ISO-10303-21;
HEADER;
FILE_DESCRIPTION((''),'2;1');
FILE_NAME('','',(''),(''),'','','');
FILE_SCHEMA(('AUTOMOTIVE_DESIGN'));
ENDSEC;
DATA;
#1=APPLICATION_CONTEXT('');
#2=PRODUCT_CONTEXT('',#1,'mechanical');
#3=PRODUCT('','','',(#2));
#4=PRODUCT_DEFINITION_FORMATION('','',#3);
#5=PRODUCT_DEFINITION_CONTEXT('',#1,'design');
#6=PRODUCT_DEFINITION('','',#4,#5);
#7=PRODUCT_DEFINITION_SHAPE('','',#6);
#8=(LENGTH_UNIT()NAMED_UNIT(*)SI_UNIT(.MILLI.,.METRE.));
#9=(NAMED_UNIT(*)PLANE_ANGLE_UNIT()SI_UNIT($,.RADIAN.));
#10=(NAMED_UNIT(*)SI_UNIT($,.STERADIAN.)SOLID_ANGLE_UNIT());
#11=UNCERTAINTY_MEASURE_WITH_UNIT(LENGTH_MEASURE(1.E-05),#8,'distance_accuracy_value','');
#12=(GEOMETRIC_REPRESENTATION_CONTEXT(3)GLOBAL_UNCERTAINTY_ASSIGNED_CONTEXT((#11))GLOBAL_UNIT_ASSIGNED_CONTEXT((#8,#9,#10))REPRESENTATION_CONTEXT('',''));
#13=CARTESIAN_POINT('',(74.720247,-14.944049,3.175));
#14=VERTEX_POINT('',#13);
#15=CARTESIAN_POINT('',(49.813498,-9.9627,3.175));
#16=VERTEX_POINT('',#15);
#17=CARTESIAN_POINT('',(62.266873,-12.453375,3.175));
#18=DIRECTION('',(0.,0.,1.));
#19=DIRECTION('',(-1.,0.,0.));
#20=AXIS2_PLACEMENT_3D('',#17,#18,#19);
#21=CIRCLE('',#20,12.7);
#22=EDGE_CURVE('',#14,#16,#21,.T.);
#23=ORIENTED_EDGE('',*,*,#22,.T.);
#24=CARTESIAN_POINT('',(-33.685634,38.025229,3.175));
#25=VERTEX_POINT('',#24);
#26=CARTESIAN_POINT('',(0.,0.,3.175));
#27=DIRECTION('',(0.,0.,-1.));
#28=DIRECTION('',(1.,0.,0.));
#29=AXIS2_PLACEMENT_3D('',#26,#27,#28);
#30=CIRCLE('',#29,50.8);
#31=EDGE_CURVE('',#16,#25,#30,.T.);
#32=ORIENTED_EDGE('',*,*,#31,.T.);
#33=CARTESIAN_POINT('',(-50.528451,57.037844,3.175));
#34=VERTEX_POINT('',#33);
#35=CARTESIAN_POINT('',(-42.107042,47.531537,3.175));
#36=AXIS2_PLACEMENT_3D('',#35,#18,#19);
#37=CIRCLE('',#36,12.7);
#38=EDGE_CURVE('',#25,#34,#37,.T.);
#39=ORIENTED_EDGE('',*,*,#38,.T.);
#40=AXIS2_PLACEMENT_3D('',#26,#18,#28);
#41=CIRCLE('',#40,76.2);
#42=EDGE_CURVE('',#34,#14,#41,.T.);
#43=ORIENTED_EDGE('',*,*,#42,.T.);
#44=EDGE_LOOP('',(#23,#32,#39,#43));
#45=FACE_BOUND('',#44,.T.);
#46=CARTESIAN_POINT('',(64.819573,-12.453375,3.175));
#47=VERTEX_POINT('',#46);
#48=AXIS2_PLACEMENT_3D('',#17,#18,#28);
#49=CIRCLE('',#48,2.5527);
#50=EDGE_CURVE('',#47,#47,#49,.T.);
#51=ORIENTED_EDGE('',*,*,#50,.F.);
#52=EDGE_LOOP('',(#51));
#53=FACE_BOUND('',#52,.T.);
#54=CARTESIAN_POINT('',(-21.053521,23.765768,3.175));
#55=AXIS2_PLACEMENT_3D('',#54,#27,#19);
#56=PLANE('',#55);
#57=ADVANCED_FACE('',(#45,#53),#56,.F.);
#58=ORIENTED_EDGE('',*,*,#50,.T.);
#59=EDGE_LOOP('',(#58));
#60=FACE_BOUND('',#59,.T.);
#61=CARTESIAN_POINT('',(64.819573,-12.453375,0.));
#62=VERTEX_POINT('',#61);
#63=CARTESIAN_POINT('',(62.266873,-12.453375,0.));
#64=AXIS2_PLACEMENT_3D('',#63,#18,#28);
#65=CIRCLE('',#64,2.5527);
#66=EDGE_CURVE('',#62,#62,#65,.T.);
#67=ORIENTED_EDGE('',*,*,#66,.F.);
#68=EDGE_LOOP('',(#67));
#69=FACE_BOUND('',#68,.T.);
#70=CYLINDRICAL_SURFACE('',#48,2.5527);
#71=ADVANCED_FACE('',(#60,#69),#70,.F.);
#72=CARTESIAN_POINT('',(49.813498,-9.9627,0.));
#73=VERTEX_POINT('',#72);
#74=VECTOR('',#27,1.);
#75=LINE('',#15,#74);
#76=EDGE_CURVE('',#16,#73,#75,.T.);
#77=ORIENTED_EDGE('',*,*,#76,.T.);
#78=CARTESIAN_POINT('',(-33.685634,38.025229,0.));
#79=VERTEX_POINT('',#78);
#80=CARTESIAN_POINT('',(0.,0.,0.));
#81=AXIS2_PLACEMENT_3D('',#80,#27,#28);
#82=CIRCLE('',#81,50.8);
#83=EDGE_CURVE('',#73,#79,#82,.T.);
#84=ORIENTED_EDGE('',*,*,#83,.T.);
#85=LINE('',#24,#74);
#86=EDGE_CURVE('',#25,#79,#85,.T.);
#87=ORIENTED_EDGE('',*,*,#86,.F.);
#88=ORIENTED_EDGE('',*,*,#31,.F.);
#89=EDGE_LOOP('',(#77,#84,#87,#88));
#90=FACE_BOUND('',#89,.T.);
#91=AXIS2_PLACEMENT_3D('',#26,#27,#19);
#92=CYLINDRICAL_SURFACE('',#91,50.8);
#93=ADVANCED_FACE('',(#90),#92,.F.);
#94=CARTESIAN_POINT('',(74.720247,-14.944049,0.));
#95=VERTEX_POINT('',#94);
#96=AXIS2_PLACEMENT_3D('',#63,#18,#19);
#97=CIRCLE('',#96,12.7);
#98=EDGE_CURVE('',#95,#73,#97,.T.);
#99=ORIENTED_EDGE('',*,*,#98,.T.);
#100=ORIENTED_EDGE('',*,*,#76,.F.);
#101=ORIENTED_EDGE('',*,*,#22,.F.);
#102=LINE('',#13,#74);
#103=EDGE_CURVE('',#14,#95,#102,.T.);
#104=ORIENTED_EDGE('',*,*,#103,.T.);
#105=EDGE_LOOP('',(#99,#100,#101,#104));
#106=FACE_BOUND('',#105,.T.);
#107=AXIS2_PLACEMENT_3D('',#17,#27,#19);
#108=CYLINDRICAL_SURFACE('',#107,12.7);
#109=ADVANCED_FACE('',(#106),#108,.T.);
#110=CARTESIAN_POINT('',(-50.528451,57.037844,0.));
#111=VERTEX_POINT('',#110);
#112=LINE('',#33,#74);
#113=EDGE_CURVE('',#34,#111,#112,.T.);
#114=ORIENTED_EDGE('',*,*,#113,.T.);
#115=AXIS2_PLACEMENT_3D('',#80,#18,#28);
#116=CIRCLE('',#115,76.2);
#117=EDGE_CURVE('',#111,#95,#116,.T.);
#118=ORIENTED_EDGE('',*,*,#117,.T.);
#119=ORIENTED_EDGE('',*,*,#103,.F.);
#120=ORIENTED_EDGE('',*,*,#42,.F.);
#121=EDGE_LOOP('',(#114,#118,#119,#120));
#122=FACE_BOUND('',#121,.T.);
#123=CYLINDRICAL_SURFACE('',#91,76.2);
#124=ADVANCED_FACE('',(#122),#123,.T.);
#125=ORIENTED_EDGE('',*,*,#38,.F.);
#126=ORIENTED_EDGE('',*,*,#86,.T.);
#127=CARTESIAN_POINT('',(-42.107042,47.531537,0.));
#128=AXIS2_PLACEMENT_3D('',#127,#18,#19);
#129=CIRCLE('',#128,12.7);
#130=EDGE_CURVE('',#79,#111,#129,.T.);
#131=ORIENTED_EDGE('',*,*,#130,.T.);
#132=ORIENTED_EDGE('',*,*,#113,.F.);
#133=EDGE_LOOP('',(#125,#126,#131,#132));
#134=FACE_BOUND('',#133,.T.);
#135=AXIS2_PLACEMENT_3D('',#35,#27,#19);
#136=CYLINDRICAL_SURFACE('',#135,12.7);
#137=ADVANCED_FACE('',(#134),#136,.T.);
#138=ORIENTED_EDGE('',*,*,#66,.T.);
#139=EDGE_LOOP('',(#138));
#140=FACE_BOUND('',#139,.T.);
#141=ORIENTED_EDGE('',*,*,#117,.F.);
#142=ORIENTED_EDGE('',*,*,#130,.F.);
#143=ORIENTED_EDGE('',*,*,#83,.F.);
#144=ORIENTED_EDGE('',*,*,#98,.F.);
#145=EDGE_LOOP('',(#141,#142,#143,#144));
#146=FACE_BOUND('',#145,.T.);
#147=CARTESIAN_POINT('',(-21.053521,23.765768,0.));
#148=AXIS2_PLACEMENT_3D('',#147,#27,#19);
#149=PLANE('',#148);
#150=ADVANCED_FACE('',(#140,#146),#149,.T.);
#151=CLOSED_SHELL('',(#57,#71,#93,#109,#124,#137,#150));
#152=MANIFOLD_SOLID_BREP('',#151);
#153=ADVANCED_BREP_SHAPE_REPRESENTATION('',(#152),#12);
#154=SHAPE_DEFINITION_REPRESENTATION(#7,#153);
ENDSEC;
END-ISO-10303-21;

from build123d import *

# Parameters (mm, degrees)
BOSS_EXTRUDE1_DEPTH     = 3.175
F_1_4_20_TAPPED_HOLE1_D = 5.1054


with BuildPart() as part:
    # Sketch1 → Boss-Extrude1 (new body)
    with BuildSketch(Plane.XY):
        with BuildLine():
            ThreePointArc((-50.528450834, 57.037844072), (-37.969184963, -66.066489185), (74.720247488, -14.944049498))
            ThreePointArc((74.720247488, -14.944049498), (64.757547823, 0), (49.813498325, -9.962699665))
            ThreePointArc((49.813498325, -9.962699665), (-25.312789976, -44.044326123), (-33.685633889, 38.025229381))
            ThreePointArc((-33.685633889, 38.025229381), (-32.600735016, 55.952945199), (-50.528450834, 57.037844072))
        make_face()
    extrude(amount=BOSS_EXTRUDE1_DEPTH)

    # 1/4-20 Tapped Hole1 (through all)
    with Locations(Plane.XY.offset(3.175)):
        with Locations((62.266872906, -12.453374581)):
            Hole(F_1_4_20_TAPPED_HOLE1_D / 2)


solid = part.part
